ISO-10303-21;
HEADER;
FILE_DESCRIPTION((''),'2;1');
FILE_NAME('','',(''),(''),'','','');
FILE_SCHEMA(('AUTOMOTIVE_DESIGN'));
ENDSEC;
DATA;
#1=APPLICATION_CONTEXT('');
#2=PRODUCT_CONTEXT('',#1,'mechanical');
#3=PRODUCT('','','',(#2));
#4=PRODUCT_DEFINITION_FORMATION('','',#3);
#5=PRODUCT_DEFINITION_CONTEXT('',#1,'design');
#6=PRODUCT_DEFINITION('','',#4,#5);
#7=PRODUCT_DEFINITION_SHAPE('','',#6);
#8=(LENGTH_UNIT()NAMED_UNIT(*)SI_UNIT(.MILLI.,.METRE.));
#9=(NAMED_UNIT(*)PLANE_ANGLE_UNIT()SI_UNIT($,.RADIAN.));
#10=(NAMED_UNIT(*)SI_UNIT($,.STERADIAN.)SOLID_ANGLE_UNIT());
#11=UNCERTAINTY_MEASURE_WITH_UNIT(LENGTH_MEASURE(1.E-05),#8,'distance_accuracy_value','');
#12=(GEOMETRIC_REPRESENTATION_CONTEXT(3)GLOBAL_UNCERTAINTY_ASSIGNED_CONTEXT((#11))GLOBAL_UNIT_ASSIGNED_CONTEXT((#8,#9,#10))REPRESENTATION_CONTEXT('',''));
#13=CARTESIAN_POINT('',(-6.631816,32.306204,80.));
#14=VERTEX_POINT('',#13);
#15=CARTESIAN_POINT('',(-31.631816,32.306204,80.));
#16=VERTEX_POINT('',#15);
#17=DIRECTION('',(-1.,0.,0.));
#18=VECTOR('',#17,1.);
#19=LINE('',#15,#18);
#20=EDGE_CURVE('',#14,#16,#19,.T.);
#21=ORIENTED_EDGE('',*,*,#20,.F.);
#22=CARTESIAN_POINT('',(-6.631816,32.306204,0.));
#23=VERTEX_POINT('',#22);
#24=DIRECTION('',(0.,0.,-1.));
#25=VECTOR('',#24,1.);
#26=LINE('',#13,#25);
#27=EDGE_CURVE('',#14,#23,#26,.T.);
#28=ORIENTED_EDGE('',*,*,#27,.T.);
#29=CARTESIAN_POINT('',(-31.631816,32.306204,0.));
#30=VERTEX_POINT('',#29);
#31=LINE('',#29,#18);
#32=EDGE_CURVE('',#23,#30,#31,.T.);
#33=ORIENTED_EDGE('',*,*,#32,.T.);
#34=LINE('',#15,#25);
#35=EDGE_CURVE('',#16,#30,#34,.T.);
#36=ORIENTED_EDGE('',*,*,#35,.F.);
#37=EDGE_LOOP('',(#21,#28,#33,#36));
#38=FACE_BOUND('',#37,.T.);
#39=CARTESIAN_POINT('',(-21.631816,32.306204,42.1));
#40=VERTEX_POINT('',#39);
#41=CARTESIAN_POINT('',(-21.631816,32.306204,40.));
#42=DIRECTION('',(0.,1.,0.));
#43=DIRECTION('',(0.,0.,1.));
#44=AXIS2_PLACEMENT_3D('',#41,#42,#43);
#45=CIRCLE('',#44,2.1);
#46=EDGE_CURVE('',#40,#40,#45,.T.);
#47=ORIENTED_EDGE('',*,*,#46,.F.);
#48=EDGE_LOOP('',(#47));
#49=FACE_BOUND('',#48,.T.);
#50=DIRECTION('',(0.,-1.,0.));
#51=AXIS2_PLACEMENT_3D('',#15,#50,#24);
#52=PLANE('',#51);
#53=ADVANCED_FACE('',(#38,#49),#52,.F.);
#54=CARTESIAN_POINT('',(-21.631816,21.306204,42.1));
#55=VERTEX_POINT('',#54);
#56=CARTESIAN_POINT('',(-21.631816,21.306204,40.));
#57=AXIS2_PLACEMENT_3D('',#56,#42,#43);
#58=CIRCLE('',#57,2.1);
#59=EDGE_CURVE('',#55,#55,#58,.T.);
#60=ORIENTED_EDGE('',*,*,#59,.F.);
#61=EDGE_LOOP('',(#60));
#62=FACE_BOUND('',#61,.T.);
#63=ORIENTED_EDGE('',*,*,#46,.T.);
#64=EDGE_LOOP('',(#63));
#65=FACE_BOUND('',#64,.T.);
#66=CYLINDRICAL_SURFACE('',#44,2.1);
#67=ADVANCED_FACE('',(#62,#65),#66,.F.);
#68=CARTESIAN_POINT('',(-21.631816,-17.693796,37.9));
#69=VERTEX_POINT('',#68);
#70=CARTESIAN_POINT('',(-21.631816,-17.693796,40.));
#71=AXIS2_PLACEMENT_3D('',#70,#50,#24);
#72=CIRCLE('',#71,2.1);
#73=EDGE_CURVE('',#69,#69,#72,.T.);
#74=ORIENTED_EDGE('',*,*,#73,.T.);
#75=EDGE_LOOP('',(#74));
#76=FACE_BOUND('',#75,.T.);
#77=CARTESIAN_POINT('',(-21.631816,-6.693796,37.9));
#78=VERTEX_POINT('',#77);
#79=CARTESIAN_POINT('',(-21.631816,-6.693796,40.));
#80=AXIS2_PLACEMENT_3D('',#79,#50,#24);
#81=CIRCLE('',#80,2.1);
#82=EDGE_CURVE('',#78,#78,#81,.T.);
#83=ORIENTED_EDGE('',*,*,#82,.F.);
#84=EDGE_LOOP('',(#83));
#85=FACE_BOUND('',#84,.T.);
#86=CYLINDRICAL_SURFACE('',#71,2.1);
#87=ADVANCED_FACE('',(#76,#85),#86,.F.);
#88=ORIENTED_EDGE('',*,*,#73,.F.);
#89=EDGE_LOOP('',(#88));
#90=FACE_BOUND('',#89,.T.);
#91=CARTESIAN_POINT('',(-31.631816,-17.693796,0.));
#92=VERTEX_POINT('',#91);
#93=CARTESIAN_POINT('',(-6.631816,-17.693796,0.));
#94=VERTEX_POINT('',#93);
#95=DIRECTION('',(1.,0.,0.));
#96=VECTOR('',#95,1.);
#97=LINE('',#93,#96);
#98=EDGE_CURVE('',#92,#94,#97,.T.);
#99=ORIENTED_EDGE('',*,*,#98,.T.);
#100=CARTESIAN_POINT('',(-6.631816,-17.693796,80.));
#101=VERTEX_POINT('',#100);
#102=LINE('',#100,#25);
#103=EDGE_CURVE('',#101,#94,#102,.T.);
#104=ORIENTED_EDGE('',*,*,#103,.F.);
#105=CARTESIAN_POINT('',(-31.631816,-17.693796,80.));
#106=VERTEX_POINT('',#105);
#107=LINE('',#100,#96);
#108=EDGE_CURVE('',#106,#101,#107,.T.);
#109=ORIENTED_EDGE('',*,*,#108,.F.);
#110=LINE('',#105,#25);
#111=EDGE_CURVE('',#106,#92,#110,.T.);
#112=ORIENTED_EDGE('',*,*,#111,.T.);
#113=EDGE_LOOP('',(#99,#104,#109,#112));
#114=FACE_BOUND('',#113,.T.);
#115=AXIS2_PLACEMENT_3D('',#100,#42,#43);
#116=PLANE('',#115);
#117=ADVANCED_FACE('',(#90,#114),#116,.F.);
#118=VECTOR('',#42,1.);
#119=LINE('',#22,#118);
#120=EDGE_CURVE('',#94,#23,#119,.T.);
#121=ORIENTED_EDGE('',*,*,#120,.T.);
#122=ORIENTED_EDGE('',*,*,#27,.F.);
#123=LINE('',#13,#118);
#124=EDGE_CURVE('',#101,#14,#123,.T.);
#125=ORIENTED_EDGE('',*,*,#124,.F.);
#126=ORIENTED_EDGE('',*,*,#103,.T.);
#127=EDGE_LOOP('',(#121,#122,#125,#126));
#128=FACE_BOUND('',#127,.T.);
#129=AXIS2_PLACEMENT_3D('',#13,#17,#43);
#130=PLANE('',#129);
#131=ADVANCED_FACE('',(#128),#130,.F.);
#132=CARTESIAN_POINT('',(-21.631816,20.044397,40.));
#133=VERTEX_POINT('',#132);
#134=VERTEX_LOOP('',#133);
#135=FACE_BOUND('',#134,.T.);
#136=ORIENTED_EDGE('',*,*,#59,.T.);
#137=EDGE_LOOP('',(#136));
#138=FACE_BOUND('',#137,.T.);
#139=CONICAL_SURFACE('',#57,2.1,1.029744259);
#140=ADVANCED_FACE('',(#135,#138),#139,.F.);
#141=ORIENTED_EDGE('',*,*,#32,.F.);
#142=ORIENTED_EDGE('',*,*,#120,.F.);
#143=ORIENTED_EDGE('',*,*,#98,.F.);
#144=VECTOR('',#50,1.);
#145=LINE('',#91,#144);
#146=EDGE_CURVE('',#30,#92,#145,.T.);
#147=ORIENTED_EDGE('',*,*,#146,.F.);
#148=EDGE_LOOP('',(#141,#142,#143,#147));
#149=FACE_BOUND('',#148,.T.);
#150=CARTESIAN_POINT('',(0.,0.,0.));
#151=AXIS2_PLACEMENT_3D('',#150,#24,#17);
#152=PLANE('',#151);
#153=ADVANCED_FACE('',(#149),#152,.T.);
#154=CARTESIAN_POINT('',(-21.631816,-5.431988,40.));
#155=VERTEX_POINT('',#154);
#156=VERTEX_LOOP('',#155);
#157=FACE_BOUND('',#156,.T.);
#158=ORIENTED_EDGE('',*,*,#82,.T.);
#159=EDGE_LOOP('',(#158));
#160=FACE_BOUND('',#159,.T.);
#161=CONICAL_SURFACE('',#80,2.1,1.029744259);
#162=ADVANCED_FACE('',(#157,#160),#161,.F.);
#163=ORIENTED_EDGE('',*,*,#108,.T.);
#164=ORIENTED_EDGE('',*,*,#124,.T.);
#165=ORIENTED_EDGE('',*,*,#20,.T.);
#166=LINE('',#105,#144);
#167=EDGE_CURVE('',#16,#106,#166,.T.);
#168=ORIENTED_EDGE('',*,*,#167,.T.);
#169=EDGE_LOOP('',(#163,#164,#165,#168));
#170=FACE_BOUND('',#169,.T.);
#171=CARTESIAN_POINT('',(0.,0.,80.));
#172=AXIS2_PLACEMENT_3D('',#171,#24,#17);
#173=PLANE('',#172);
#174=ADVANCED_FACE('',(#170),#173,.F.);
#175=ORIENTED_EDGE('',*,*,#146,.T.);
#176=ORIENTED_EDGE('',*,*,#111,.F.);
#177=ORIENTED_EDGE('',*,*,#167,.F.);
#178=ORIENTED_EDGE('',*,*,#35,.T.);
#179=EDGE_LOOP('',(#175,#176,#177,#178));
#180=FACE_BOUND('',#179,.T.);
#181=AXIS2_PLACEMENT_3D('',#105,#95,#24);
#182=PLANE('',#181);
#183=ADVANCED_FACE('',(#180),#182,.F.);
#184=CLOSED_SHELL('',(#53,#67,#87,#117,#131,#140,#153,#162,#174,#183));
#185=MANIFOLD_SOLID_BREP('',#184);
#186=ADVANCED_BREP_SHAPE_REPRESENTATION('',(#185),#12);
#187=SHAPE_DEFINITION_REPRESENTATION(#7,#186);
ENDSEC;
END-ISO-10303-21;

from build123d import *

# Parameters (mm, degrees)
CROQUIS1_W                                     = 25
CROQUIS1_H                                     = 50
SALIENTE_EXTRUIR1_DEPTH                        = 80
PERFORADOR_PARA_ROSCAR_PARA_MACHO_DE_ROS_D     = 4.2
PERFORADOR_PARA_ROSCAR_PARA_MACHO_DE_ROS_DEPTH = 11
PERFORADOR_PARA_ROSCAR_PARA_MACHO_DE_ROS_TIP   = 1.2618073
PERFORADOR_PARA_ROSCAR_PARA_MACHO_DE_2_D       = 4.2
PERFORADOR_PARA_ROSCAR_PARA_MACHO_DE_2_DEPTH   = 11
PERFORADOR_PARA_ROSCAR_PARA_MACHO_DE_2_TIP     = 1.2618073


with BuildPart() as part:
    # Croquis1 → Saliente-Extruir1 (new body)
    with BuildSketch(Plane.XY):
        with Locations((-19.131816286, 7.30620438)):
            Rectangle(CROQUIS1_W, CROQUIS1_H)
    extrude(amount=SALIENTE_EXTRUIR1_DEPTH)

    # Perforador para roscar para macho de ros
    with Locations(Plane(origin=(-21.631816286, 32.30620438, 40), x_dir=(0, 0, 1), z_dir=(0, 1, 0))):
        with Locations((0, 0)):
            Hole(PERFORADOR_PARA_ROSCAR_PARA_MACHO_DE_ROS_D / 2, depth=PERFORADOR_PARA_ROSCAR_PARA_MACHO_DE_ROS_DEPTH)
            with Locations((0, 0, -(PERFORADOR_PARA_ROSCAR_PARA_MACHO_DE_ROS_DEPTH + PERFORADOR_PARA_ROSCAR_PARA_MACHO_DE_ROS_TIP / 2))):  # 118° drill point
                Cone(0, PERFORADOR_PARA_ROSCAR_PARA_MACHO_DE_ROS_D / 2, PERFORADOR_PARA_ROSCAR_PARA_MACHO_DE_ROS_TIP, mode=Mode.SUBTRACT)

    # Perforador para roscar para macho de 2
    with Locations(Plane(origin=(-21.631816286, -17.69379562, 40), x_dir=(0, 0, -1), z_dir=(0, -1, 0))):
        with Locations((0, 0)):
            Hole(PERFORADOR_PARA_ROSCAR_PARA_MACHO_DE_2_D / 2, depth=PERFORADOR_PARA_ROSCAR_PARA_MACHO_DE_2_DEPTH)
            with Locations((0, 0, -(PERFORADOR_PARA_ROSCAR_PARA_MACHO_DE_2_DEPTH + PERFORADOR_PARA_ROSCAR_PARA_MACHO_DE_2_TIP / 2))):  # 118° drill point
                Cone(0, PERFORADOR_PARA_ROSCAR_PARA_MACHO_DE_2_D / 2, PERFORADOR_PARA_ROSCAR_PARA_MACHO_DE_2_TIP, mode=Mode.SUBTRACT)


solid = part.part
